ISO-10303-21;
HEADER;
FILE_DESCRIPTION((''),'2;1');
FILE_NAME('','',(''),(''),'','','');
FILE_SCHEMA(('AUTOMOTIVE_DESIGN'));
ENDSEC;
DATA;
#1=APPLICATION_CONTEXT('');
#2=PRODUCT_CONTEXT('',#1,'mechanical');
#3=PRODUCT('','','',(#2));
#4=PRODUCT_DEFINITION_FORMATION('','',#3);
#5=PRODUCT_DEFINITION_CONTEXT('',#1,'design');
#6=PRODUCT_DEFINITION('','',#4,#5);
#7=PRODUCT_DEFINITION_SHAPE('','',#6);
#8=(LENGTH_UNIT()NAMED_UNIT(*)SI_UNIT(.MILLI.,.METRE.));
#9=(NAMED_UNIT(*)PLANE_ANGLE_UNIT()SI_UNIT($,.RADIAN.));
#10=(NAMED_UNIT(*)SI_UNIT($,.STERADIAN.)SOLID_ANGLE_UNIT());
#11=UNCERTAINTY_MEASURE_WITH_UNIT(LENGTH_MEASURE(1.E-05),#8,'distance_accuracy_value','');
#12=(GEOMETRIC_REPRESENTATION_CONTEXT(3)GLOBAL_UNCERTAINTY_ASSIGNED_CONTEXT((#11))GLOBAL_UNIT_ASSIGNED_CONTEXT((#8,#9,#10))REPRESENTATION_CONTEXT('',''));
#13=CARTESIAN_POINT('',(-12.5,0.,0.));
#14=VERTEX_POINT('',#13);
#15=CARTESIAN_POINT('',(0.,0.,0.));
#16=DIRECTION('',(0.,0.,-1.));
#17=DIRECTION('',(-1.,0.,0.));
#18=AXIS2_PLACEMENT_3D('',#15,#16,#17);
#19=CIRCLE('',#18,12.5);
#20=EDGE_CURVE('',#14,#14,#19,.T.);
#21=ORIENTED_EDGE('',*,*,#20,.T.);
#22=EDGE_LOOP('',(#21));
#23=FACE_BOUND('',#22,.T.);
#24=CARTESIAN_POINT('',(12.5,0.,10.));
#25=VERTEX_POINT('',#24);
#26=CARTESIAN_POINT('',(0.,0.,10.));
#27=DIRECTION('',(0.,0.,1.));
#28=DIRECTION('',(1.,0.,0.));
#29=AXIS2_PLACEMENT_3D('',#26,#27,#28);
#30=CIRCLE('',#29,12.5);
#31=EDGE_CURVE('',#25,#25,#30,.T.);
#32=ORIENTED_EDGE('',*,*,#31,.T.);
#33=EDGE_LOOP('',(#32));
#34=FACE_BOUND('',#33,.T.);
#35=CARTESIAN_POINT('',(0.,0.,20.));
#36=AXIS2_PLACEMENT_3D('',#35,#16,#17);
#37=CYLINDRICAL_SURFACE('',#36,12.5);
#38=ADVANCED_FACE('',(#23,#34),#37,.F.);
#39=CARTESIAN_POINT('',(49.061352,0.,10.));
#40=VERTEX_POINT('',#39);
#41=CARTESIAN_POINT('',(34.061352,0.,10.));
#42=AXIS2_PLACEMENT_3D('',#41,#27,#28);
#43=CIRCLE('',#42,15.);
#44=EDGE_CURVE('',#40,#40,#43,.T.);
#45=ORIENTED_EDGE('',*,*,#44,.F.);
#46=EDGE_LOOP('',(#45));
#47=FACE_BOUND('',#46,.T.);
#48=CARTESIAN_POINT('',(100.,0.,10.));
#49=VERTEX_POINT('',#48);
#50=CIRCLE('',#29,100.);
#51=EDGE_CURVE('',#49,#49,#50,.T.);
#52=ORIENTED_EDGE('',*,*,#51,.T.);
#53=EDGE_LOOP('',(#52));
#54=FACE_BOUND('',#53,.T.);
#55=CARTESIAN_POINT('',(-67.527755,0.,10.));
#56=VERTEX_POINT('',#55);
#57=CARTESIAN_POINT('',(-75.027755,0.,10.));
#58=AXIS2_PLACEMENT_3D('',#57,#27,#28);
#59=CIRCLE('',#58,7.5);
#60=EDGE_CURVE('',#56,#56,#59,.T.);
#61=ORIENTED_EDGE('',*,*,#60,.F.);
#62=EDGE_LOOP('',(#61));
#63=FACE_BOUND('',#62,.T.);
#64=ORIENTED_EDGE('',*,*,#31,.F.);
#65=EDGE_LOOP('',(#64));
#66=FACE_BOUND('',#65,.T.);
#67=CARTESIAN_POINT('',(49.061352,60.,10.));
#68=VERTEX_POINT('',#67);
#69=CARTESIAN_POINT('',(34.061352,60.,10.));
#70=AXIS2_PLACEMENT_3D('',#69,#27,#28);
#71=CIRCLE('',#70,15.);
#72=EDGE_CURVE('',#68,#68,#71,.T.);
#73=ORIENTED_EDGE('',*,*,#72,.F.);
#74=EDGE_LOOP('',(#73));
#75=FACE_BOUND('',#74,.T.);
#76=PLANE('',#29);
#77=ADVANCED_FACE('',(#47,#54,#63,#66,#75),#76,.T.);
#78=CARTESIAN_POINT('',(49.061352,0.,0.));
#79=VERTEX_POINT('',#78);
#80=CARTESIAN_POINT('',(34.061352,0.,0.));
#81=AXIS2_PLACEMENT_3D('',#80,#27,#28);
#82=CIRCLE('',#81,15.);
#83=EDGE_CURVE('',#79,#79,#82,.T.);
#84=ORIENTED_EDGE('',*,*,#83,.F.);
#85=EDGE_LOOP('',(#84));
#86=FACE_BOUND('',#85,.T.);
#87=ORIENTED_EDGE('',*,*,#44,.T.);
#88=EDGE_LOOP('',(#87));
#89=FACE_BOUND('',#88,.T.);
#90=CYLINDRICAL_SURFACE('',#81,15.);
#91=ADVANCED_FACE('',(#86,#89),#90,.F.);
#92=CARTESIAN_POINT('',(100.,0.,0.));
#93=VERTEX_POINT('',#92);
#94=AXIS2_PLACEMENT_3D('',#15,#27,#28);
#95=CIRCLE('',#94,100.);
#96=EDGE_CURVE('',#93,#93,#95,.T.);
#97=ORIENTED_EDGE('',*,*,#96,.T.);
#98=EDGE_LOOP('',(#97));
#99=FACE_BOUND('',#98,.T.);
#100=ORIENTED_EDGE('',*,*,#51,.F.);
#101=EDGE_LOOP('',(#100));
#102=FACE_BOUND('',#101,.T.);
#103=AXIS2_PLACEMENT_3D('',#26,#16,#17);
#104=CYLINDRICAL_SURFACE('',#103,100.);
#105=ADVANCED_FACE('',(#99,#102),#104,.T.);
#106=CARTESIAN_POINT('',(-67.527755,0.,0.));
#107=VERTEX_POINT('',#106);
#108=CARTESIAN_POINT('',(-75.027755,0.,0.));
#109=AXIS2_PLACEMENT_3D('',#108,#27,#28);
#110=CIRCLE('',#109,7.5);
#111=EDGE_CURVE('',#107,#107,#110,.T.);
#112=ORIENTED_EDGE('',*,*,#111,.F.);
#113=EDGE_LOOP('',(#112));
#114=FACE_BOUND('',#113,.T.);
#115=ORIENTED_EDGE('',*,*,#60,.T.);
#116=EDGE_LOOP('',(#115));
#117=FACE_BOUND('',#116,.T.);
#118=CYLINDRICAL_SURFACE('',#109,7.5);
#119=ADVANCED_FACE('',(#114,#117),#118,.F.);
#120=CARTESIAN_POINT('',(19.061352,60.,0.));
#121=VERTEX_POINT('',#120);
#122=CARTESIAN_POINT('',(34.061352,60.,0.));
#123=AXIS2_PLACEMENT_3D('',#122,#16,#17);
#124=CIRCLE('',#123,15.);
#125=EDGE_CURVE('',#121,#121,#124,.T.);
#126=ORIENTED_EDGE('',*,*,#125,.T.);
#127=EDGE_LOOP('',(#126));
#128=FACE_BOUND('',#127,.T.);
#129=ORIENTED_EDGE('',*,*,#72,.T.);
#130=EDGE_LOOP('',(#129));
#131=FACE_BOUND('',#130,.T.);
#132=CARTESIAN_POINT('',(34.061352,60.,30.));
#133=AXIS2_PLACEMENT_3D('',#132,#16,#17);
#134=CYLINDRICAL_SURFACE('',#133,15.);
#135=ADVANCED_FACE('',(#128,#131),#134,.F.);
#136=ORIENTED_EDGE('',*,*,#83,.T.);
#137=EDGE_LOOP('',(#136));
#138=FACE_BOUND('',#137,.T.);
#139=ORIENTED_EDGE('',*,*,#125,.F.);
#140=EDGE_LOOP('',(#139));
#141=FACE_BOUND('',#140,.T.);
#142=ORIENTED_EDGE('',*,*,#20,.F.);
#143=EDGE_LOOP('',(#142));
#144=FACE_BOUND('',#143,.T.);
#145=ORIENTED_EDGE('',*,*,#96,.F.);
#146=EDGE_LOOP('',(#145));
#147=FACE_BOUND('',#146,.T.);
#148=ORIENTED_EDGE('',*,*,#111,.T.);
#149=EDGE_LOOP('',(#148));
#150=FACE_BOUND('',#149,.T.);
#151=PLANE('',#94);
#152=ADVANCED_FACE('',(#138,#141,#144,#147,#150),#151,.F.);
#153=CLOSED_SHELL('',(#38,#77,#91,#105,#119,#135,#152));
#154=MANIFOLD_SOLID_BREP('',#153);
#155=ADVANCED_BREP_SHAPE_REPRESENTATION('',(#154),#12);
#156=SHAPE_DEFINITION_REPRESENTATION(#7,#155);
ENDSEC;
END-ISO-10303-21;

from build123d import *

# Parameters (mm, degrees)
SKETCH1_R           = 100
BOSS_EXTRUDE1_DEPTH = 10
SKETCH3_R           = 12.5
CUT_EXTRUDE2_DEPTH  = 20
SKETCH2_R           = 7.5
CUT_EXTRUDE3_DEPTH  = 10
SKETCH5_R           = 15
CUT_EXTRUDE5_DEPTH  = 10
BOSS_EXTRUDE2_START = -10
SKETCH6_R           = 15
BOSS_EXTRUDE2_DEPTH = 10
SKETCH7_R           = 15
CUT_EXTRUDE6_DEPTH  = 30


with BuildPart() as part:
    # Sketch1 → Boss-Extrude1 (new body)
    with BuildSketch(Plane.XY):
        Circle(SKETCH1_R)
    extrude(amount=BOSS_EXTRUDE1_DEPTH)

    # Sketch3 → Cut-Extrude2 (cut)
    with BuildSketch(Plane(origin=(0, 0, 0), x_dir=(-1, 0, 0), z_dir=(0, 0, -1))):
        Circle(SKETCH3_R)
    extrude(amount=-CUT_EXTRUDE2_DEPTH, mode=Mode.SUBTRACT)

    # Sketch2 → Cut-Extrude3 (cut)
    with BuildSketch(Plane.XY.offset(10)):
        with Locations((-75.027755171, 0)):
            Circle(SKETCH2_R)
    extrude(amount=-CUT_EXTRUDE3_DEPTH, mode=Mode.SUBTRACT)

    # Sketch5 → Cut-Extrude5 (cut)
    with BuildSketch(Plane.XY.offset(10)):
        with Locations((34.061352159, 0)):
            Circle(SKETCH5_R)
        with Locations((79.061352159, 0)):
            Circle(SKETCH5_R)
    extrude(amount=-CUT_EXTRUDE5_DEPTH, mode=Mode.SUBTRACT)

    # Sketch6 → Boss-Extrude2 (add)
    with BuildSketch(Plane(origin=(0, 0, 0), x_dir=(-1, 0, 0), z_dir=(0, 0, -1)).offset(BOSS_EXTRUDE2_START)):
        with Locations((-79.061352159, 0)):
            Circle(SKETCH6_R)
    extrude(amount=BOSS_EXTRUDE2_DEPTH)

    # Sketch7 → Cut-Extrude6 (cut)
    with BuildSketch(Plane(origin=(0, 0, 0), x_dir=(-1, 0, 0), z_dir=(0, 0, -1))):
        with Locations((-34.061352159, 60)):
            Circle(SKETCH7_R)
    extrude(amount=-CUT_EXTRUDE6_DEPTH, mode=Mode.SUBTRACT)


solid = part.part
